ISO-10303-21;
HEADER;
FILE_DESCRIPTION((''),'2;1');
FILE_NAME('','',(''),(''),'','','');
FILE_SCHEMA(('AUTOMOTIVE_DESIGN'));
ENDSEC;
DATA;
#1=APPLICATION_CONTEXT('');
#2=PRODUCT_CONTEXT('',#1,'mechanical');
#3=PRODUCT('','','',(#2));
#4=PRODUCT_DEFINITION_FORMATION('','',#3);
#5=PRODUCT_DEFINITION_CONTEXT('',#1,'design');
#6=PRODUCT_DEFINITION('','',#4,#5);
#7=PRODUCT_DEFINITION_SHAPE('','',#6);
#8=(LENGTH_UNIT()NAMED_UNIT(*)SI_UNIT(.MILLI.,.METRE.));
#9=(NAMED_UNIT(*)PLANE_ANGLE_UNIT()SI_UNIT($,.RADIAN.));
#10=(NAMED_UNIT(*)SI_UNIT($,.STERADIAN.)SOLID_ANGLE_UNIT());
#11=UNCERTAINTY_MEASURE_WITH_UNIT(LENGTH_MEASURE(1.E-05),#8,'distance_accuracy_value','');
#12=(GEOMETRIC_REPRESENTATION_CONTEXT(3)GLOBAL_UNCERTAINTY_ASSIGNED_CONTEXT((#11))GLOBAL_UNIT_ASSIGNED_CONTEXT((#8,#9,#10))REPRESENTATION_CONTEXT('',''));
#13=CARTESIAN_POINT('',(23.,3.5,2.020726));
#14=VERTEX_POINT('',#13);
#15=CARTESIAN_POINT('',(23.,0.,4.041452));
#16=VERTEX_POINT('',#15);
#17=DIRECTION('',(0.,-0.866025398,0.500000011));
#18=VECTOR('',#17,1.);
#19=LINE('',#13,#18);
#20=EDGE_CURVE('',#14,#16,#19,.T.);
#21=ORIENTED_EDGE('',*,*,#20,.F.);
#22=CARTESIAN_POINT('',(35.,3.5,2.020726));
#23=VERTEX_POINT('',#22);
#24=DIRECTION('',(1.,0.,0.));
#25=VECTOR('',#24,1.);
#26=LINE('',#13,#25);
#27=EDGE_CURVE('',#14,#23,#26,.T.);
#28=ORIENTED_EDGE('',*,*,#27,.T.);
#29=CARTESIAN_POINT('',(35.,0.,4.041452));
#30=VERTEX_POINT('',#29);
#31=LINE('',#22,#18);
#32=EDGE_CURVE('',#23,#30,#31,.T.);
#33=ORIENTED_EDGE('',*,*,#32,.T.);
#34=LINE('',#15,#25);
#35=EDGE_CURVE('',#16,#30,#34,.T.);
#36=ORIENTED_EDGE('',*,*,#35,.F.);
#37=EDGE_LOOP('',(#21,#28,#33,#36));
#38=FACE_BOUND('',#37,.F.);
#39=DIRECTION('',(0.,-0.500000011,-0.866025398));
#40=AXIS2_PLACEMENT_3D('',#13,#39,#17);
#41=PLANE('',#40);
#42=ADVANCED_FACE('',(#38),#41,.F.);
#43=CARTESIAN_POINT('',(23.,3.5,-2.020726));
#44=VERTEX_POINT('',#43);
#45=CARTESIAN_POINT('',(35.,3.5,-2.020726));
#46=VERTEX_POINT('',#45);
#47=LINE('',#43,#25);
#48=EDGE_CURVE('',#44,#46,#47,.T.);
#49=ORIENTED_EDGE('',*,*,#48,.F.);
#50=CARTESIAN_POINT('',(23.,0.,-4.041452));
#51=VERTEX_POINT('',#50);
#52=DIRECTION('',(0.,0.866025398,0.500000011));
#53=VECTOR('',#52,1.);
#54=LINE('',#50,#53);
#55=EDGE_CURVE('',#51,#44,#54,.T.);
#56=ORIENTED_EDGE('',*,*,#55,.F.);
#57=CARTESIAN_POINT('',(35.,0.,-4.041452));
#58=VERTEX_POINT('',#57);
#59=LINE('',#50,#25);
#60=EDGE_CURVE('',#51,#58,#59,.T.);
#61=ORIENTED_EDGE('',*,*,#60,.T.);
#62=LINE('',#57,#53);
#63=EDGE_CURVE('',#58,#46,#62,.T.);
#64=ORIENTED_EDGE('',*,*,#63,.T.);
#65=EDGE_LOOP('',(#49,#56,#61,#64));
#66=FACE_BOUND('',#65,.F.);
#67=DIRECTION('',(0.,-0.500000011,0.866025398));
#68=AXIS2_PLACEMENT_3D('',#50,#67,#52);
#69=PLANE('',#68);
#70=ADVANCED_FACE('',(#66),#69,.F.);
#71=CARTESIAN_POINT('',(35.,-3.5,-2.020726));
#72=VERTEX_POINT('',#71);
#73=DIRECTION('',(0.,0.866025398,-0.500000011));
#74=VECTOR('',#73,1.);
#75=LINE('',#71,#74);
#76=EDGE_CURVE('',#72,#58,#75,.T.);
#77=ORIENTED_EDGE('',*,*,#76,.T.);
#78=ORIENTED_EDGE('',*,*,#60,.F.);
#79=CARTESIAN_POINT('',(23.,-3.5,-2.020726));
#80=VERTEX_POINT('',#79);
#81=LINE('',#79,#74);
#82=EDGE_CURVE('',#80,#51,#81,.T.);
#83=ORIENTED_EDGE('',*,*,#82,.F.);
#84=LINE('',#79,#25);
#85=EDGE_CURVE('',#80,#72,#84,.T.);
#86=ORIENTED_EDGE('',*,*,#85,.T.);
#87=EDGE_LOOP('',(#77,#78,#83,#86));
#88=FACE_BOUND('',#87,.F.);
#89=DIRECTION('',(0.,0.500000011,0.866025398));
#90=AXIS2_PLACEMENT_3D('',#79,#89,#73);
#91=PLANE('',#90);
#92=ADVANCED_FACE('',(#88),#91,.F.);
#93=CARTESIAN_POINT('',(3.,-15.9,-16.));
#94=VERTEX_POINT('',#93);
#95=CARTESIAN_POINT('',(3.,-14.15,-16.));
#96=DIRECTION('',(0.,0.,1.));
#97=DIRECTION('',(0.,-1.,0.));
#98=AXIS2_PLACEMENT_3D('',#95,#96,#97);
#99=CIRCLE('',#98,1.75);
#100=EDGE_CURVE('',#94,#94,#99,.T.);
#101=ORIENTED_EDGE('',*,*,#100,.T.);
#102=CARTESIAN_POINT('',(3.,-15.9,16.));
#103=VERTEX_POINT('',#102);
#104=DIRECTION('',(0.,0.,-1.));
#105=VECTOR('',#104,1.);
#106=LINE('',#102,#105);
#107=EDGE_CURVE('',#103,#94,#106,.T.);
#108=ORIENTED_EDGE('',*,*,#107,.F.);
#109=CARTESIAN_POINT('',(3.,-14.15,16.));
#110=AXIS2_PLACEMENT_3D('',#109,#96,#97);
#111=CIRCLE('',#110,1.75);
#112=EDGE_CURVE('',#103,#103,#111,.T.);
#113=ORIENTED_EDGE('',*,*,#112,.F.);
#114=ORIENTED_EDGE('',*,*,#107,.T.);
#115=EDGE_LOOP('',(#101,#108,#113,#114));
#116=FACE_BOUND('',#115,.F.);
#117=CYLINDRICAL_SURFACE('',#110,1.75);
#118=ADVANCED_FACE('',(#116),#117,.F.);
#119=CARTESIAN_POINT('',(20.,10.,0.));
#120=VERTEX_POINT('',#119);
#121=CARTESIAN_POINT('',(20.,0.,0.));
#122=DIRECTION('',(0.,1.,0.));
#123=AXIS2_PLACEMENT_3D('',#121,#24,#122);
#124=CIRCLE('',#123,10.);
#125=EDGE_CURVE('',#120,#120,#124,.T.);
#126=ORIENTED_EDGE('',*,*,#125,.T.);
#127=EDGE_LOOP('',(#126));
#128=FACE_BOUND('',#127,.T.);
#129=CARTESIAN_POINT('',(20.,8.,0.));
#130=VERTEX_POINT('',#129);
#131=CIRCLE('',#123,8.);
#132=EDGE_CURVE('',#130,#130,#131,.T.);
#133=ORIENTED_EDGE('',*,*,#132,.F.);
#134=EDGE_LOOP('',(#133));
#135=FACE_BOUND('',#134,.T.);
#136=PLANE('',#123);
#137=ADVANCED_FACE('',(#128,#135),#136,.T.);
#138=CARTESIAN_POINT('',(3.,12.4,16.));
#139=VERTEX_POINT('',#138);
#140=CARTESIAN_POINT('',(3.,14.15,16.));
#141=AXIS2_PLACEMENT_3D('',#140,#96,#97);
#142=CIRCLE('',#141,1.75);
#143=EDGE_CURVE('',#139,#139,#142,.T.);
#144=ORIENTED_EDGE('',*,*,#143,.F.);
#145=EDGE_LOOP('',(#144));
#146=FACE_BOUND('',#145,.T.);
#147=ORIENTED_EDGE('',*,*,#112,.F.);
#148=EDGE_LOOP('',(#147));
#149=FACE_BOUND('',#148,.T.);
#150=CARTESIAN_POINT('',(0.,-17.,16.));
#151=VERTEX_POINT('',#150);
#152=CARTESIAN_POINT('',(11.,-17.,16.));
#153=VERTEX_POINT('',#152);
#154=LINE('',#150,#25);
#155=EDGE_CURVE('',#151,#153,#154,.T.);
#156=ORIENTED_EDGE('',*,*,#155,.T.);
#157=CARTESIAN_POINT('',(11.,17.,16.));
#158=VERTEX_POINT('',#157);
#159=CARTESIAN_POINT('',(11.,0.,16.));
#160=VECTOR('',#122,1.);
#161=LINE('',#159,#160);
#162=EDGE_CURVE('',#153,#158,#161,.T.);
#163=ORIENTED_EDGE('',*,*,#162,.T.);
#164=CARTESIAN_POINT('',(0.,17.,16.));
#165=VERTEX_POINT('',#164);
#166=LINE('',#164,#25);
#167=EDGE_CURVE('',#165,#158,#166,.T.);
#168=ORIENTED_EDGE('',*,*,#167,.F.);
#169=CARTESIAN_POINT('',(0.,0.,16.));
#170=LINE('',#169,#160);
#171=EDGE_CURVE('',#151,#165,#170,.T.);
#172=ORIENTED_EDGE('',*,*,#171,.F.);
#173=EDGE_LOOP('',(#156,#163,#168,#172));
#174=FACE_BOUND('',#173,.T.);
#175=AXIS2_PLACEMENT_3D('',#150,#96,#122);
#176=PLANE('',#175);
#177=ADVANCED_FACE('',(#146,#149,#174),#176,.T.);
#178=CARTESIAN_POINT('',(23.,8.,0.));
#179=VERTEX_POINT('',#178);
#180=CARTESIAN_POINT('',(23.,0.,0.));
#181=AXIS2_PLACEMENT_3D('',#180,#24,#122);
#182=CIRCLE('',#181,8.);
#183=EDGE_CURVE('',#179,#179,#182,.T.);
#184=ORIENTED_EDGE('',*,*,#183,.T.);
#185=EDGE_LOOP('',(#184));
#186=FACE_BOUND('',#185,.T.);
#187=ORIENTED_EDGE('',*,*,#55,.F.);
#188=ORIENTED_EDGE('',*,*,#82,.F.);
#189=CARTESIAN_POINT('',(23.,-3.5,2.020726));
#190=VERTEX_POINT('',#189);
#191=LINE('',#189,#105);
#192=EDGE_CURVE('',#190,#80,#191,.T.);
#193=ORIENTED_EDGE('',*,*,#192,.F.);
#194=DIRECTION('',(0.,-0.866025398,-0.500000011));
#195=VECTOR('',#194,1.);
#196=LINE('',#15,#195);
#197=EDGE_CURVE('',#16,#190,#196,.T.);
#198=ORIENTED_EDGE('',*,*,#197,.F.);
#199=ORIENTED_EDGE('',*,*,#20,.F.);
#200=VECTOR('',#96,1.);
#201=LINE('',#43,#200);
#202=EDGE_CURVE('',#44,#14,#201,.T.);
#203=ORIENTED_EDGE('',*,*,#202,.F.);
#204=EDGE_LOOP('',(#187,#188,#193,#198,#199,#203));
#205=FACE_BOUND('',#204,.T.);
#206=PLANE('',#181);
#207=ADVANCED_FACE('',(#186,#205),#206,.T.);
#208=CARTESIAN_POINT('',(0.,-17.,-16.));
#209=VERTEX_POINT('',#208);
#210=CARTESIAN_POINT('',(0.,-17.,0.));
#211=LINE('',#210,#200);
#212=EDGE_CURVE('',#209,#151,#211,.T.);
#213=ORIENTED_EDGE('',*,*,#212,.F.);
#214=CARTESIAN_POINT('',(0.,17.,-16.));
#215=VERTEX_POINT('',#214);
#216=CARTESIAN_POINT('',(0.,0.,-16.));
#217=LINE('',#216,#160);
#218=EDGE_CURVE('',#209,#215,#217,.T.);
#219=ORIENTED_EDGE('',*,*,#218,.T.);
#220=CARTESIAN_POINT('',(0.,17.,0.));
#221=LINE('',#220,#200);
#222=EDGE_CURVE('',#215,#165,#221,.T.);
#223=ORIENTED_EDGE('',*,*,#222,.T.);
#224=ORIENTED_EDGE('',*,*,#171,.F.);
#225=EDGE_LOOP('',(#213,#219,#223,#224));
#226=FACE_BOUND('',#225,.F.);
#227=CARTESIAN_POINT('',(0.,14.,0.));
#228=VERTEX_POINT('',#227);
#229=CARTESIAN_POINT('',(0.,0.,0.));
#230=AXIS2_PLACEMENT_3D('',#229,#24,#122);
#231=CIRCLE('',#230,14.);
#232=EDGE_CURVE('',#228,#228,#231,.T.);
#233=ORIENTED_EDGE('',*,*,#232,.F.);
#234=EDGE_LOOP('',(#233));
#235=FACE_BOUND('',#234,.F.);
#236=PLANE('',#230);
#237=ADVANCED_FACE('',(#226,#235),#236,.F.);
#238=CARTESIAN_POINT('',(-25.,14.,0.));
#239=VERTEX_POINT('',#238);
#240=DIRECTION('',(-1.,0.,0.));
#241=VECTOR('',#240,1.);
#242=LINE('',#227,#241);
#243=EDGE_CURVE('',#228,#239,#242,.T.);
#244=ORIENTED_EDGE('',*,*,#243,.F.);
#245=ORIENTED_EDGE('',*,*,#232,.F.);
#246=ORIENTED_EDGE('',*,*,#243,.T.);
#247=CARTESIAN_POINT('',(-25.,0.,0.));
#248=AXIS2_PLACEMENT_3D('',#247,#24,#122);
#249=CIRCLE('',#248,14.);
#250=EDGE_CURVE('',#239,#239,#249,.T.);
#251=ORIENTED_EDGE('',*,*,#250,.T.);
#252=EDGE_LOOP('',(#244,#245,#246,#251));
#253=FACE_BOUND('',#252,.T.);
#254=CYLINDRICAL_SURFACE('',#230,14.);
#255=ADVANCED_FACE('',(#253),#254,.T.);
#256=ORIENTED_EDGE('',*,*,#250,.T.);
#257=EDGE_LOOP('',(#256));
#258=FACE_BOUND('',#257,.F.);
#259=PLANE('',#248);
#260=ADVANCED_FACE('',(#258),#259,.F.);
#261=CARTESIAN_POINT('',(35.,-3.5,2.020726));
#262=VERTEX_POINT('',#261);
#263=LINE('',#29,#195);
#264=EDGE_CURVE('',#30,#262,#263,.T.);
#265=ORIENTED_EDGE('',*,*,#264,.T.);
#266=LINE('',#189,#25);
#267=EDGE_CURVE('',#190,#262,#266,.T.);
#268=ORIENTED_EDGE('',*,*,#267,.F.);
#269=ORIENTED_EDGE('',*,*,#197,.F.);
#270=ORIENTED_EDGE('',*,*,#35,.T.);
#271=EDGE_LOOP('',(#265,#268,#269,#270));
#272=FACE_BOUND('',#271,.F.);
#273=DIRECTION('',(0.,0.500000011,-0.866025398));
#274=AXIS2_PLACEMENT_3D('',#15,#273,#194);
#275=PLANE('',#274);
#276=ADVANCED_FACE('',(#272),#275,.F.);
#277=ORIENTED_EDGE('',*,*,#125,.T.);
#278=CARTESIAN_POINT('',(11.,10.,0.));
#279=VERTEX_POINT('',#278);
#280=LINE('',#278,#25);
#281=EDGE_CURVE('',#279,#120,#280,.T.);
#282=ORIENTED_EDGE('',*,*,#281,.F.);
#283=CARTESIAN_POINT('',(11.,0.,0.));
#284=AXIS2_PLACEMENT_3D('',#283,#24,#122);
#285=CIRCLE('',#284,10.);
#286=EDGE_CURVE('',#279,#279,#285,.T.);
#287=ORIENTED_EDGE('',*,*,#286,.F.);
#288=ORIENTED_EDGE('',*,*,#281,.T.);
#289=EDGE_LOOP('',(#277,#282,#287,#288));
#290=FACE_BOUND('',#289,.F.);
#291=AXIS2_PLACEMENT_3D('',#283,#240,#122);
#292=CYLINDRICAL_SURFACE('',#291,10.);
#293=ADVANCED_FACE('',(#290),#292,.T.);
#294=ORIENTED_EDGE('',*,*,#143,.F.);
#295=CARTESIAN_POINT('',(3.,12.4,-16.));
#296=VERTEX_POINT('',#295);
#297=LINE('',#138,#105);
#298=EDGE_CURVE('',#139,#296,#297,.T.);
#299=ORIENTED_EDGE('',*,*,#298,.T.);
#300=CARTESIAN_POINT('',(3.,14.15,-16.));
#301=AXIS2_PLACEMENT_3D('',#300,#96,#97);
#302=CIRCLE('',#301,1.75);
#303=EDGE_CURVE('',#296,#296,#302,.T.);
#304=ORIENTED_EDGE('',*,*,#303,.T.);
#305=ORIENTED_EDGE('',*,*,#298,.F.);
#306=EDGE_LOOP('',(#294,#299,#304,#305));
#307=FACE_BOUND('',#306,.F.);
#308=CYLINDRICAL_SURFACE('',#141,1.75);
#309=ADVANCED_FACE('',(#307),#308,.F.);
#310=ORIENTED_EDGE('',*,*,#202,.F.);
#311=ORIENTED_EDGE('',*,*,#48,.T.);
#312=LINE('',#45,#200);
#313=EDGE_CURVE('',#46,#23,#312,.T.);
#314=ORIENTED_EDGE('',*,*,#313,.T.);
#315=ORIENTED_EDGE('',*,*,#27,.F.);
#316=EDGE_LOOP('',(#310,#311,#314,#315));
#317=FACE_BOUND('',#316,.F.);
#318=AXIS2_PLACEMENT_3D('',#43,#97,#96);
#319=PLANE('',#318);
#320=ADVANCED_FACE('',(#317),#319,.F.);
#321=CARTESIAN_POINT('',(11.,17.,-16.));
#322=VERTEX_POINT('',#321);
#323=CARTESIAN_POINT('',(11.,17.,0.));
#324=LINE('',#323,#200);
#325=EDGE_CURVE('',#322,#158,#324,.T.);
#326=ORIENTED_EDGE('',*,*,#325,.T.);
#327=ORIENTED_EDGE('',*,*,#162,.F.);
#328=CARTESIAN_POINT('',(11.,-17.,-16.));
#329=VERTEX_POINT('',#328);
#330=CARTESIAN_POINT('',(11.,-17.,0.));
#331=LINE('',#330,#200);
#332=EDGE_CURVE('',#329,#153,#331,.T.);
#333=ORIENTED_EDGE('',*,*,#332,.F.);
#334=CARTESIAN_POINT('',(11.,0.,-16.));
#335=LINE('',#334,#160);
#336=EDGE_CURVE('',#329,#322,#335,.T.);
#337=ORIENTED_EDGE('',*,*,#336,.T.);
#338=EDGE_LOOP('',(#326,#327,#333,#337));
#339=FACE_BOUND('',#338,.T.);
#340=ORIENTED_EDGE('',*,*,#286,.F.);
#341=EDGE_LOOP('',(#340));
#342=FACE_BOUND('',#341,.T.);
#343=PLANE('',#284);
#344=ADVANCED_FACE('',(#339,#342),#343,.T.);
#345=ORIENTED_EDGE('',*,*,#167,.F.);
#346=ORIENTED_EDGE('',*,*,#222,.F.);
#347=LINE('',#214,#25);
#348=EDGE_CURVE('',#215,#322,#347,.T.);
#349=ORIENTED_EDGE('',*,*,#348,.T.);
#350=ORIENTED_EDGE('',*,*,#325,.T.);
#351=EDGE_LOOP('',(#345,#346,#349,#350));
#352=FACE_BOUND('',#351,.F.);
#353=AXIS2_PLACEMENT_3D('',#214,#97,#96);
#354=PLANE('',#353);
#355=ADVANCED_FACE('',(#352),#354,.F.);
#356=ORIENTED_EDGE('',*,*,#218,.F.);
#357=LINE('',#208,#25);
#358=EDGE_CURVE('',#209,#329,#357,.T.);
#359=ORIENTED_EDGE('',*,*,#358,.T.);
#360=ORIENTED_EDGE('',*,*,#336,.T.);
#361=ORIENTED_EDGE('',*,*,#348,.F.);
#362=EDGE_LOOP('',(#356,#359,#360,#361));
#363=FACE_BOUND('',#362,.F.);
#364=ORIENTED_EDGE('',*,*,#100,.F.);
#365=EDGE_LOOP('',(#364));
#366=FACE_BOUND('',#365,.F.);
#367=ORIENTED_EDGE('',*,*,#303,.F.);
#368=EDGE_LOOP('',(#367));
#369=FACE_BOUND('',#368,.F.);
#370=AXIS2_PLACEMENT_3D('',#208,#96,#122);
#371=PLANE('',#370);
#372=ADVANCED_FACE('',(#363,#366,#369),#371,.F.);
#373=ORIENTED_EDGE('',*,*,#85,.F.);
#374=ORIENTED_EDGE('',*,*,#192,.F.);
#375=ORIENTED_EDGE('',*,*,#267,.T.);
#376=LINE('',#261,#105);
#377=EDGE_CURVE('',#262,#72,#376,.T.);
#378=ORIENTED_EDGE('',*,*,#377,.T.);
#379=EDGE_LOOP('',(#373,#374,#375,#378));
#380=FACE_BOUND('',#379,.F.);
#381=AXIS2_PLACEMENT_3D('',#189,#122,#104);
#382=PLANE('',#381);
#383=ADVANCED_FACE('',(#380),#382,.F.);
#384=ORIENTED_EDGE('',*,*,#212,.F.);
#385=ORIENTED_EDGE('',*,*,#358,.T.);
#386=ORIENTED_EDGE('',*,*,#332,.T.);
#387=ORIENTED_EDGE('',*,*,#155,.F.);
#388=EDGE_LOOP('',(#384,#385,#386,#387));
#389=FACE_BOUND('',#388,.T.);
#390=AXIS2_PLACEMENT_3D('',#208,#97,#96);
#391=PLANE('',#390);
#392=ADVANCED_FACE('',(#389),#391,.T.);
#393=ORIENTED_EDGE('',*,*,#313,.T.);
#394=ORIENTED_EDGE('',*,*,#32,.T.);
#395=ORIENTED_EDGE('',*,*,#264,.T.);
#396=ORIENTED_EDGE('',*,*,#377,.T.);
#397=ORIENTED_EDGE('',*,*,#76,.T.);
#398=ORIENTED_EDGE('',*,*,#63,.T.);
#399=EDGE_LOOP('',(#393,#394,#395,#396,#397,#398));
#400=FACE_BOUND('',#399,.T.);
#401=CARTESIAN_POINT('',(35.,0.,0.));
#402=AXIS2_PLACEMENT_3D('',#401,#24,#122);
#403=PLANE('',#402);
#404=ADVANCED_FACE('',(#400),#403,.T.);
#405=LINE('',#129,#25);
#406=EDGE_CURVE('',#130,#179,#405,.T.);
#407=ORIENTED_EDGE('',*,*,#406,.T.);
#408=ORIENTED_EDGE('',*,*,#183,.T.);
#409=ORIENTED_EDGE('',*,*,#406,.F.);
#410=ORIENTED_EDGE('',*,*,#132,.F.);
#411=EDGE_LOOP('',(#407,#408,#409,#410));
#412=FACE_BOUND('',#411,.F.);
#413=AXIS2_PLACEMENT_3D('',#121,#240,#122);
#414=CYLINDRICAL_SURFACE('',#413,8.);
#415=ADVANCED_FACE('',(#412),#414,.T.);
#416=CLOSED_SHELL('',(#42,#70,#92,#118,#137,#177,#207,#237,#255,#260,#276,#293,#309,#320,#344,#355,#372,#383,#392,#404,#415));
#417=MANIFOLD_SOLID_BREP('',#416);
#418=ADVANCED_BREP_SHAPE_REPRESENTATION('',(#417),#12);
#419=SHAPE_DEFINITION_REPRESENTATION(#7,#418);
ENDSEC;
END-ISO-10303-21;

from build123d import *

# Parameters (mm, degrees)
SKETCH_R     = 14
PAD_DEPTH    = 25
SKETCH001_W  = 34
SKETCH001_H  = 32
PAD001_DEPTH = 11
SKETCH002_R  = 10
PAD002_DEPTH = 9
SKETCH003_R  = 8
PAD003_DEPTH = 3
PAD004_DEPTH = 12
SKETCH005_R  = 1.75
POCKET_DEPTH = 100


with BuildPart() as part:
    # Sketch → Pad (new body)
    with BuildSketch(Plane.YZ):
        Circle(SKETCH_R)
    extrude(amount=-PAD_DEPTH)

    # Sketch001 (on Face2 of Pad) → Pad001 (join)
    with BuildSketch(Plane.YZ):
        Rectangle(SKETCH001_W, SKETCH001_H)
    extrude(amount=PAD001_DEPTH)

    # Sketch002 (on Face5 of Pad001) → Pad002 (join)
    with BuildSketch(Plane.YZ.offset(11)):
        Circle(SKETCH002_R)
    extrude(amount=PAD002_DEPTH)

    # Sketch003 (on Face10 of Pad002) → Pad003 (join)
    with BuildSketch(Plane.YZ.offset(20)):
        Circle(SKETCH003_R)
    extrude(amount=PAD003_DEPTH)

    # Sketch004 (on Face12 of Pad003) → Pad004 (join)
    with BuildSketch(Plane.YZ.offset(23)):
        Polygon((0, 4.041452), (-3.5, 2.020726), (-3.5, -2.020726), (0, -4.041452), (3.5, -2.020726), (3.5, 2.020726), align=None)
    extrude(amount=PAD004_DEPTH)

    # Sketch005 (on Face1 of Pad004) → Pocket (cut)
    with BuildSketch(Plane(origin=(0, 0, 16), x_dir=(0, -1, 0), z_dir=(0, 0, 1))):
        with Locations((-14.15, 3)):
            Circle(SKETCH005_R)
        with Locations((14.15, 3)):
            Circle(SKETCH005_R)
    extrude(amount=-POCKET_DEPTH, mode=Mode.SUBTRACT)


solid = part.part
